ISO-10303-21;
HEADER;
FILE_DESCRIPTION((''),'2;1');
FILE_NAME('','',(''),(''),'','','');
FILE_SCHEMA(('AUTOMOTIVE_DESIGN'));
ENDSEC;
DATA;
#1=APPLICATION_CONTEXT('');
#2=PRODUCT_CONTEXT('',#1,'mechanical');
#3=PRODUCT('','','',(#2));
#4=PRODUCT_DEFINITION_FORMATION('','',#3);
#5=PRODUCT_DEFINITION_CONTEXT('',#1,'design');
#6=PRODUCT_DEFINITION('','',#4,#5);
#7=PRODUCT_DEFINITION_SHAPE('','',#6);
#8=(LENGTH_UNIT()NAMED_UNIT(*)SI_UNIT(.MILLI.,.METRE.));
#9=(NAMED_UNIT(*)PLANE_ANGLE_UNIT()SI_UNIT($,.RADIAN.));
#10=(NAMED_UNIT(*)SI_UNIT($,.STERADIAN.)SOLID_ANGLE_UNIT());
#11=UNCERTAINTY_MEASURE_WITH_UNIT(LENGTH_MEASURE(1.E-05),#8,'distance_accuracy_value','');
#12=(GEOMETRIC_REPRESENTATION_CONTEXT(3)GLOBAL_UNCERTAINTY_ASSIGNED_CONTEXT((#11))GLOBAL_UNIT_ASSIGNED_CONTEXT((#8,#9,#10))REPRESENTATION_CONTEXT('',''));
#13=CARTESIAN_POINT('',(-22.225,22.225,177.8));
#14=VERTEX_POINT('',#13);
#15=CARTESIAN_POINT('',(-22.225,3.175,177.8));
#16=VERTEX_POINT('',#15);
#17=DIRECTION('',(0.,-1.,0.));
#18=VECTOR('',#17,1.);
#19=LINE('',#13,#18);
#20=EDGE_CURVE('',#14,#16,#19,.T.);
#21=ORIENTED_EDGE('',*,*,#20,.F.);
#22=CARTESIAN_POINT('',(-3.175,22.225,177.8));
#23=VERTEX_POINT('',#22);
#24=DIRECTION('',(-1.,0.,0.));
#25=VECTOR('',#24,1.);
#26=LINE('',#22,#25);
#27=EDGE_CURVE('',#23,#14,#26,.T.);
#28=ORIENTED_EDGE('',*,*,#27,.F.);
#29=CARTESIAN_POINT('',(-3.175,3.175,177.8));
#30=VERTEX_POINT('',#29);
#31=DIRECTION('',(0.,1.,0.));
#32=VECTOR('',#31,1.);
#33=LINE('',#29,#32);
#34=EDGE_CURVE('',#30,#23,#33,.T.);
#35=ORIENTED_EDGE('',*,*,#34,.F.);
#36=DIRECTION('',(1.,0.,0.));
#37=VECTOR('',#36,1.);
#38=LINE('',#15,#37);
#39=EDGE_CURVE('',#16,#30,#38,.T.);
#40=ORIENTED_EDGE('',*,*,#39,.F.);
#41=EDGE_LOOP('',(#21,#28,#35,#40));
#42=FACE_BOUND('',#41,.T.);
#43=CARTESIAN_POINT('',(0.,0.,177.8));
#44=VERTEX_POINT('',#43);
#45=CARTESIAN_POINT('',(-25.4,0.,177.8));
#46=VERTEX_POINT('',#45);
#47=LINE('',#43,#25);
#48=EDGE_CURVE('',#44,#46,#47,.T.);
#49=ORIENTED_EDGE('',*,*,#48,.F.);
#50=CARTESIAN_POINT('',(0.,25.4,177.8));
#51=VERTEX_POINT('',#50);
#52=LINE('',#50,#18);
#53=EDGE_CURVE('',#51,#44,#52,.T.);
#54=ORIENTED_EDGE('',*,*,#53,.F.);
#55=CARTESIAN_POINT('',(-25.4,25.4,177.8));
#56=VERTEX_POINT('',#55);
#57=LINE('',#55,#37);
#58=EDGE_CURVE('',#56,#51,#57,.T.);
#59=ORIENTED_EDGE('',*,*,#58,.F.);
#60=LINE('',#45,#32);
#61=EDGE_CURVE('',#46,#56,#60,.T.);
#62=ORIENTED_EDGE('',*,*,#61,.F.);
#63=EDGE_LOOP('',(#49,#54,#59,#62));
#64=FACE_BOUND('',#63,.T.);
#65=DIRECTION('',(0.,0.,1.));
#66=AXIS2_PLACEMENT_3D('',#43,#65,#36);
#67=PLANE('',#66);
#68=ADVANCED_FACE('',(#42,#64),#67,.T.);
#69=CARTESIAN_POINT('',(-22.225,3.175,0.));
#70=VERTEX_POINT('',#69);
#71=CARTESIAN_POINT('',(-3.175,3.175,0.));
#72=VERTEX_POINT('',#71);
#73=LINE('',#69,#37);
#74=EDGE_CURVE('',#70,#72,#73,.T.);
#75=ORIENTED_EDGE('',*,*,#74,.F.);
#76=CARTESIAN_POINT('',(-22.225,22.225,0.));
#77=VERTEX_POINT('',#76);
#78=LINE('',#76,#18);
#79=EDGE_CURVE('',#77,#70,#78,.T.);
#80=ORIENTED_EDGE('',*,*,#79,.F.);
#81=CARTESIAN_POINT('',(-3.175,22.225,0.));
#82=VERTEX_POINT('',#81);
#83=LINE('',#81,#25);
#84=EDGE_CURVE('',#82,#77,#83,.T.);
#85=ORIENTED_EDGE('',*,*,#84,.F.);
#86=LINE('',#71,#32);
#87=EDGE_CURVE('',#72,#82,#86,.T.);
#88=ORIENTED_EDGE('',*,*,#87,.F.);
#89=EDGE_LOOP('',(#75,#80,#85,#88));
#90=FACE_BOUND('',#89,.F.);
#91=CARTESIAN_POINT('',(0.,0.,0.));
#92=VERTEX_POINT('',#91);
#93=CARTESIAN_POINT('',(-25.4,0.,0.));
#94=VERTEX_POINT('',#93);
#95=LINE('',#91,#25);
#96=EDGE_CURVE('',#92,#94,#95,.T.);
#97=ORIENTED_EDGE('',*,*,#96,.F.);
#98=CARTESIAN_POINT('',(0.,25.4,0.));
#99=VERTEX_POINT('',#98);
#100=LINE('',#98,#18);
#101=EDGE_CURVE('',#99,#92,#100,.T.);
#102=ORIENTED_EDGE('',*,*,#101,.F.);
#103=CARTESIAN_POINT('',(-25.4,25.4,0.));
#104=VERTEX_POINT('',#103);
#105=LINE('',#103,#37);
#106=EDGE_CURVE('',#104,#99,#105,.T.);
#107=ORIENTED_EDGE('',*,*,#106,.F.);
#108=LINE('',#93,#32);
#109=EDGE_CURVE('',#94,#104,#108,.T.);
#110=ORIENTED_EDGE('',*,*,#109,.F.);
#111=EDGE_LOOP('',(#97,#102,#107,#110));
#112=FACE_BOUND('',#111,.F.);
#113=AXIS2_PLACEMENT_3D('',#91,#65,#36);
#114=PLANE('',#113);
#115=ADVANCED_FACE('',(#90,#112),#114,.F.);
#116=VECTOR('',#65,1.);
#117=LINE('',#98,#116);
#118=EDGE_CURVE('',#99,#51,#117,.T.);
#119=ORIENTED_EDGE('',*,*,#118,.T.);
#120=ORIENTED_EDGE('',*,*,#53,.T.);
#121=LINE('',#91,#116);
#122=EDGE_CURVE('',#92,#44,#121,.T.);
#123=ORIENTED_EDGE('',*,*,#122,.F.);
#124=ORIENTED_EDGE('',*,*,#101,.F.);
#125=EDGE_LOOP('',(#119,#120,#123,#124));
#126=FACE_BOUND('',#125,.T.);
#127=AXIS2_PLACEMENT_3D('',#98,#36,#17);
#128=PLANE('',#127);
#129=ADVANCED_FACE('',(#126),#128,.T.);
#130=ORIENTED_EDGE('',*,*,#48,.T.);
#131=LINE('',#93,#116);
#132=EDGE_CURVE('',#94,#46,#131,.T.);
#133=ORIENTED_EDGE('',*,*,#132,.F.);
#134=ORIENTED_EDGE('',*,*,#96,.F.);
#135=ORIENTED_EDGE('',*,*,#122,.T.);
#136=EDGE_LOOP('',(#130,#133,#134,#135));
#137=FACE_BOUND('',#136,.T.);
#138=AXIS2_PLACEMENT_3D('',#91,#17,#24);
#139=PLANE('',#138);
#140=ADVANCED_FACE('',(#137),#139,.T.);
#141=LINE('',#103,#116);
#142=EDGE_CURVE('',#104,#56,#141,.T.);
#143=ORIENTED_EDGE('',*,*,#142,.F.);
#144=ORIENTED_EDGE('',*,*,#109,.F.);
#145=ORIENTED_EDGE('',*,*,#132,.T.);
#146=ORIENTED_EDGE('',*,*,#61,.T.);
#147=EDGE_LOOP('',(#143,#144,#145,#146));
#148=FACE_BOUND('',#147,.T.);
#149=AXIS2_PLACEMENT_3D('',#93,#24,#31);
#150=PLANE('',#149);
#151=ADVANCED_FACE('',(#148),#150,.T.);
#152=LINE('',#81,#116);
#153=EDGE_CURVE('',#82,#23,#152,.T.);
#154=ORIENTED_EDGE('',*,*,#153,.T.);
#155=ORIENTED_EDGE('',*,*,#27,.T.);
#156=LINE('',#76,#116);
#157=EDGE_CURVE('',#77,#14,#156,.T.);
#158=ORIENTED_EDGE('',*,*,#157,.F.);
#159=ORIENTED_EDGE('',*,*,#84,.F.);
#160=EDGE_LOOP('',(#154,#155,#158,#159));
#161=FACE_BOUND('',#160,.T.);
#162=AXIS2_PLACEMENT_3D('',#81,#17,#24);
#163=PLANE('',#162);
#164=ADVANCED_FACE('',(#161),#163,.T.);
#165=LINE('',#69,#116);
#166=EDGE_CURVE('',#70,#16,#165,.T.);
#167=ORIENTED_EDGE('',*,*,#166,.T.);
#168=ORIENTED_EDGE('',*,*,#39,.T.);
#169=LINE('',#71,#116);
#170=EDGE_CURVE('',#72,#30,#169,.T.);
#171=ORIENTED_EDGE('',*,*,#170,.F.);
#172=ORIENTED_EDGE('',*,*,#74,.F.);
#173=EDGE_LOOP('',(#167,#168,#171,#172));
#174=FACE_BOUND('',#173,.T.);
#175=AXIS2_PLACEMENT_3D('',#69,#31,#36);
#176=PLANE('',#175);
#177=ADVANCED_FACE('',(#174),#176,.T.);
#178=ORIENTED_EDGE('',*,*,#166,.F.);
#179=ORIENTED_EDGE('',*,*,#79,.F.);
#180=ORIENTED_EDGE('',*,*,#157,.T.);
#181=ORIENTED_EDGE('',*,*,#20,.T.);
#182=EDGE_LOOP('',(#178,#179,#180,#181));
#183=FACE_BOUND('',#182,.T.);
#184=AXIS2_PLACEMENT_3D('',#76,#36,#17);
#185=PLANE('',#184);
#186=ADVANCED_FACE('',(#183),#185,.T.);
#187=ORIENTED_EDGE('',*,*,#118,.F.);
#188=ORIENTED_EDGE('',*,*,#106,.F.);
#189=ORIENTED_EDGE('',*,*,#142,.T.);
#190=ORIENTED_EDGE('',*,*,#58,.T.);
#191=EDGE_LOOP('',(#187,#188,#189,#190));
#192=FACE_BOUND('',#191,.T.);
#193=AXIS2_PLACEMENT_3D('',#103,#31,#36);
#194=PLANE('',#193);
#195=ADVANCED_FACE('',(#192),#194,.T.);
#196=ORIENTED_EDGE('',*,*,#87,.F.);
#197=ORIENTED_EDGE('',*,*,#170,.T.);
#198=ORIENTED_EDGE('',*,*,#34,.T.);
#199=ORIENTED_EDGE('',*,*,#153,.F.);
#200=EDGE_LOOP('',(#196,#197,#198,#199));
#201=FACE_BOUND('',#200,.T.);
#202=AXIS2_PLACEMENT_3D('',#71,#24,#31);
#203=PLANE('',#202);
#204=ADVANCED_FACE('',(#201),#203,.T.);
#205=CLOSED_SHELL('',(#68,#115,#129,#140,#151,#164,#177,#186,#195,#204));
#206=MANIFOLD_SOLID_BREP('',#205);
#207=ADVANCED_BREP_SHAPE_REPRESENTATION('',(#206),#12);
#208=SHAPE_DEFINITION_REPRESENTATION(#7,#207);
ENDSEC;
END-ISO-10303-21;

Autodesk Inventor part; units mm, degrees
ref_plane "YZ Plane" through (0, 0, 0) normal (1, 0, 0) x (0, 1, 0)
ref_plane "XZ Plane" through (0, 0, 0) normal (0, 1, 0) x (-1, 0, 0)
ref_plane "XY Plane" through (0, 0, 0) normal (0, 0, 1) x (1, 0, 0)
sketch "Sketch1" plane through (0, 0, 0) normal (0, 0, 1) x (1, 0, 0)
  line L0 (0, 0) -> (-25.4, 0)
  line L1 (-25.4, 0) -> (-25.4, 25.4)
  line L2 (-25.4, 25.4) -> (0, 25.4)
  line L3 (0, 25.4) -> (0, 0)
  line L4 (-22.225, 22.225) -> (-22.225, 3.175)
  line L5 (-22.225, 3.175) -> (-3.175, 3.175)
  line L6 (-3.175, 3.175) -> (-3.175, 22.225)
  line L7 (-3.175, 22.225) -> (-22.225, 22.225)
  dimension "d0" = 25.4
  dimension "d1" = 25.4
  dimension "d2" = 3.175
extrude "Extrusion1" add sketch "Sketch1" along normal blind 177.8
properties part number "horizontal bar" material "Aluminum 6061"
